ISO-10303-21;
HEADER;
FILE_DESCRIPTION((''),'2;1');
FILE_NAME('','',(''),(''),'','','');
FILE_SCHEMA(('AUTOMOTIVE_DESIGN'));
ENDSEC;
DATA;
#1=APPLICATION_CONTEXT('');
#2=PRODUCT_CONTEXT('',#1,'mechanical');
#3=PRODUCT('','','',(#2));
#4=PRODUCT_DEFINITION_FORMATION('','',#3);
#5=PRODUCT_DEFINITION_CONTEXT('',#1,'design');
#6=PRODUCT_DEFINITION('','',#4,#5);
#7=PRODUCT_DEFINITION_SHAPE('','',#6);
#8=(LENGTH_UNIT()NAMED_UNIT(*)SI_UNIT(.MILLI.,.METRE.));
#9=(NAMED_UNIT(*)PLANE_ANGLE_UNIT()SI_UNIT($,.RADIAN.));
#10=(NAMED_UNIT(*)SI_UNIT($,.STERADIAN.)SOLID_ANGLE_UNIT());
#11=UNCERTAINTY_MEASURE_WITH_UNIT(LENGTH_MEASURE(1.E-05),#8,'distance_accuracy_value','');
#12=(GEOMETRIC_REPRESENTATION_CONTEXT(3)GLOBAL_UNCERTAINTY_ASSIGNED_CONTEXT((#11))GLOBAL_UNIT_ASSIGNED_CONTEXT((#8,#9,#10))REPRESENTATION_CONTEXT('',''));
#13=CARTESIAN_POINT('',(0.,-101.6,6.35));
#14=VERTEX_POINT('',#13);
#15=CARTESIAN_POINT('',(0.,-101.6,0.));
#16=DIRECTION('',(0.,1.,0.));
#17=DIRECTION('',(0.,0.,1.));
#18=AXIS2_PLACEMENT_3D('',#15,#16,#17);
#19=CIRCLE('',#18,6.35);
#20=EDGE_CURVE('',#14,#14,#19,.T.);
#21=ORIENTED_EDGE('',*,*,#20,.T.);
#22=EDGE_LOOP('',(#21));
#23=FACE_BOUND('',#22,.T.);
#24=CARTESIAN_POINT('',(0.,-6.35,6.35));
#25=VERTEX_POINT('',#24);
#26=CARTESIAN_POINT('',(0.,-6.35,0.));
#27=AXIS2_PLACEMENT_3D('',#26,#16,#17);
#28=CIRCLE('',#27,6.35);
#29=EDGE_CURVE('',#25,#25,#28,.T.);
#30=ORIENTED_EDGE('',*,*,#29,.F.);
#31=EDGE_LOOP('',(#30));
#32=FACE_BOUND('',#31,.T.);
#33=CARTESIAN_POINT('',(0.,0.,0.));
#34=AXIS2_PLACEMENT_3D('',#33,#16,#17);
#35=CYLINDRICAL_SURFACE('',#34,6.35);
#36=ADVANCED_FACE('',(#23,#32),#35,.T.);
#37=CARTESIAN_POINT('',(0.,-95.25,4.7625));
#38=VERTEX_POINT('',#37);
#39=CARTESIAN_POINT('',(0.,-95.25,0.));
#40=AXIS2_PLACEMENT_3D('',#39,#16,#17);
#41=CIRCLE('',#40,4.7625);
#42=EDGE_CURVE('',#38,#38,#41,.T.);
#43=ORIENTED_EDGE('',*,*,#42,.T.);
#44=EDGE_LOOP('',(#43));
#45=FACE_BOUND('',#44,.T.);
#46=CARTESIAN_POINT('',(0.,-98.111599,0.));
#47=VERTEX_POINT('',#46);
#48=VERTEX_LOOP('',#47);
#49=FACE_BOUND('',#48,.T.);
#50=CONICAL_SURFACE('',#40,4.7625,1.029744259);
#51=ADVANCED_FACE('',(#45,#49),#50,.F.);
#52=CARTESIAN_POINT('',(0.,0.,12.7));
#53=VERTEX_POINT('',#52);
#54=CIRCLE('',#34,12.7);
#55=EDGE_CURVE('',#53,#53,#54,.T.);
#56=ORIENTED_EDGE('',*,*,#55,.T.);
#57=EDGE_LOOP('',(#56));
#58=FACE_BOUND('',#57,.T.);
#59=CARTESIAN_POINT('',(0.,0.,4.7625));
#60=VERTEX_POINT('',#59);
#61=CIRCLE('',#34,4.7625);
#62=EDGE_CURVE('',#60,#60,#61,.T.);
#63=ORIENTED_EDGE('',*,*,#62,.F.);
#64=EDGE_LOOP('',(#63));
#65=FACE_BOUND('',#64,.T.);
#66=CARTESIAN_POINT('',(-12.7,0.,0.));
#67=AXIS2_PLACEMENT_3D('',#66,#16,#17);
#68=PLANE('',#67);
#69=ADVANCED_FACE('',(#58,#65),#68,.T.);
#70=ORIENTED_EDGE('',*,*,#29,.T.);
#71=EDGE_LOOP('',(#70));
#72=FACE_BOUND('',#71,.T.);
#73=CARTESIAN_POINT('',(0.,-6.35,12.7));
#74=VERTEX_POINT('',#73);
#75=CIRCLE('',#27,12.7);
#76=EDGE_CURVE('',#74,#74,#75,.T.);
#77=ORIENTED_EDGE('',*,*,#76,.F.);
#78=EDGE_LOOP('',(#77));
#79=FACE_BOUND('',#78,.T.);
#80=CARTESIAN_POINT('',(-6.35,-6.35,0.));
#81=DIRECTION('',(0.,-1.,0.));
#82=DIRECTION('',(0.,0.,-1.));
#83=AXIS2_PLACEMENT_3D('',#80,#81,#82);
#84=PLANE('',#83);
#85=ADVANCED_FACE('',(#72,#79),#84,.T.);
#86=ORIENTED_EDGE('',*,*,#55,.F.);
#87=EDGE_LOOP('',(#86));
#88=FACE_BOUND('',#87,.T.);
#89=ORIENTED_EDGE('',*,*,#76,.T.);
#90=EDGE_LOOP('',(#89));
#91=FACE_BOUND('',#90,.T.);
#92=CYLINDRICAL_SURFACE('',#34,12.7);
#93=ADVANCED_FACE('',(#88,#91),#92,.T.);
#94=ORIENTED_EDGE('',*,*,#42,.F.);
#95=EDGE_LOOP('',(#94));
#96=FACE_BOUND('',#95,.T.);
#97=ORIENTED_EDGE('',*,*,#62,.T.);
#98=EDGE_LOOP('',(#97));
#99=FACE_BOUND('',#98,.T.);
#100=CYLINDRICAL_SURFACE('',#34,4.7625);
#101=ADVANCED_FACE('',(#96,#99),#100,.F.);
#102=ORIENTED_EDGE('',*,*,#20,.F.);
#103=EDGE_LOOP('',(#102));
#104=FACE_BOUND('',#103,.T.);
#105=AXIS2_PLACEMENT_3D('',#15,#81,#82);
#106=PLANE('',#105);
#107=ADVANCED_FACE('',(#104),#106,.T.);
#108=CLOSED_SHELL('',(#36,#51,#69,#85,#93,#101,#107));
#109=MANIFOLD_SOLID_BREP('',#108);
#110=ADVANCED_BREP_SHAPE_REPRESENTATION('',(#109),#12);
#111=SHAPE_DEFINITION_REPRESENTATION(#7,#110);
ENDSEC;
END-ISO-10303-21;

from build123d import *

# Parameters (mm, degrees)
F_3_8_0_375_DIAMETER_HOLE1_D     = 9.525
F_3_8_0_375_DIAMETER_HOLE1_DEPTH = 95.25
F_3_8_0_375_DIAMETER_HOLE1_TIP   = 2.861598698


with BuildPart() as part:
    # Sketch1 → Revolve1 (revolve)
    with BuildSketch(Plane.XY):
        Polygon((0, 0), (0, -101.6), (-6.35, -101.6), (-6.35, -6.35), (-12.7, -6.35), (-12.7, 0), align=None)
    revolve(axis=Axis((0, 0, 0), (0, -1, 0)))

    # 3/8 (0.375) Diameter Hole1
    with Locations(Plane(origin=(0, 0, 0), x_dir=(1, 0, 0), z_dir=(0, 1, 0))):
        with Locations((0, 0)):
            Hole(F_3_8_0_375_DIAMETER_HOLE1_D / 2, depth=F_3_8_0_375_DIAMETER_HOLE1_DEPTH)
            with Locations((0, 0, -(F_3_8_0_375_DIAMETER_HOLE1_DEPTH + F_3_8_0_375_DIAMETER_HOLE1_TIP / 2))):  # 118° drill point
                Cone(0, F_3_8_0_375_DIAMETER_HOLE1_D / 2, F_3_8_0_375_DIAMETER_HOLE1_TIP, mode=Mode.SUBTRACT)


solid = part.part
